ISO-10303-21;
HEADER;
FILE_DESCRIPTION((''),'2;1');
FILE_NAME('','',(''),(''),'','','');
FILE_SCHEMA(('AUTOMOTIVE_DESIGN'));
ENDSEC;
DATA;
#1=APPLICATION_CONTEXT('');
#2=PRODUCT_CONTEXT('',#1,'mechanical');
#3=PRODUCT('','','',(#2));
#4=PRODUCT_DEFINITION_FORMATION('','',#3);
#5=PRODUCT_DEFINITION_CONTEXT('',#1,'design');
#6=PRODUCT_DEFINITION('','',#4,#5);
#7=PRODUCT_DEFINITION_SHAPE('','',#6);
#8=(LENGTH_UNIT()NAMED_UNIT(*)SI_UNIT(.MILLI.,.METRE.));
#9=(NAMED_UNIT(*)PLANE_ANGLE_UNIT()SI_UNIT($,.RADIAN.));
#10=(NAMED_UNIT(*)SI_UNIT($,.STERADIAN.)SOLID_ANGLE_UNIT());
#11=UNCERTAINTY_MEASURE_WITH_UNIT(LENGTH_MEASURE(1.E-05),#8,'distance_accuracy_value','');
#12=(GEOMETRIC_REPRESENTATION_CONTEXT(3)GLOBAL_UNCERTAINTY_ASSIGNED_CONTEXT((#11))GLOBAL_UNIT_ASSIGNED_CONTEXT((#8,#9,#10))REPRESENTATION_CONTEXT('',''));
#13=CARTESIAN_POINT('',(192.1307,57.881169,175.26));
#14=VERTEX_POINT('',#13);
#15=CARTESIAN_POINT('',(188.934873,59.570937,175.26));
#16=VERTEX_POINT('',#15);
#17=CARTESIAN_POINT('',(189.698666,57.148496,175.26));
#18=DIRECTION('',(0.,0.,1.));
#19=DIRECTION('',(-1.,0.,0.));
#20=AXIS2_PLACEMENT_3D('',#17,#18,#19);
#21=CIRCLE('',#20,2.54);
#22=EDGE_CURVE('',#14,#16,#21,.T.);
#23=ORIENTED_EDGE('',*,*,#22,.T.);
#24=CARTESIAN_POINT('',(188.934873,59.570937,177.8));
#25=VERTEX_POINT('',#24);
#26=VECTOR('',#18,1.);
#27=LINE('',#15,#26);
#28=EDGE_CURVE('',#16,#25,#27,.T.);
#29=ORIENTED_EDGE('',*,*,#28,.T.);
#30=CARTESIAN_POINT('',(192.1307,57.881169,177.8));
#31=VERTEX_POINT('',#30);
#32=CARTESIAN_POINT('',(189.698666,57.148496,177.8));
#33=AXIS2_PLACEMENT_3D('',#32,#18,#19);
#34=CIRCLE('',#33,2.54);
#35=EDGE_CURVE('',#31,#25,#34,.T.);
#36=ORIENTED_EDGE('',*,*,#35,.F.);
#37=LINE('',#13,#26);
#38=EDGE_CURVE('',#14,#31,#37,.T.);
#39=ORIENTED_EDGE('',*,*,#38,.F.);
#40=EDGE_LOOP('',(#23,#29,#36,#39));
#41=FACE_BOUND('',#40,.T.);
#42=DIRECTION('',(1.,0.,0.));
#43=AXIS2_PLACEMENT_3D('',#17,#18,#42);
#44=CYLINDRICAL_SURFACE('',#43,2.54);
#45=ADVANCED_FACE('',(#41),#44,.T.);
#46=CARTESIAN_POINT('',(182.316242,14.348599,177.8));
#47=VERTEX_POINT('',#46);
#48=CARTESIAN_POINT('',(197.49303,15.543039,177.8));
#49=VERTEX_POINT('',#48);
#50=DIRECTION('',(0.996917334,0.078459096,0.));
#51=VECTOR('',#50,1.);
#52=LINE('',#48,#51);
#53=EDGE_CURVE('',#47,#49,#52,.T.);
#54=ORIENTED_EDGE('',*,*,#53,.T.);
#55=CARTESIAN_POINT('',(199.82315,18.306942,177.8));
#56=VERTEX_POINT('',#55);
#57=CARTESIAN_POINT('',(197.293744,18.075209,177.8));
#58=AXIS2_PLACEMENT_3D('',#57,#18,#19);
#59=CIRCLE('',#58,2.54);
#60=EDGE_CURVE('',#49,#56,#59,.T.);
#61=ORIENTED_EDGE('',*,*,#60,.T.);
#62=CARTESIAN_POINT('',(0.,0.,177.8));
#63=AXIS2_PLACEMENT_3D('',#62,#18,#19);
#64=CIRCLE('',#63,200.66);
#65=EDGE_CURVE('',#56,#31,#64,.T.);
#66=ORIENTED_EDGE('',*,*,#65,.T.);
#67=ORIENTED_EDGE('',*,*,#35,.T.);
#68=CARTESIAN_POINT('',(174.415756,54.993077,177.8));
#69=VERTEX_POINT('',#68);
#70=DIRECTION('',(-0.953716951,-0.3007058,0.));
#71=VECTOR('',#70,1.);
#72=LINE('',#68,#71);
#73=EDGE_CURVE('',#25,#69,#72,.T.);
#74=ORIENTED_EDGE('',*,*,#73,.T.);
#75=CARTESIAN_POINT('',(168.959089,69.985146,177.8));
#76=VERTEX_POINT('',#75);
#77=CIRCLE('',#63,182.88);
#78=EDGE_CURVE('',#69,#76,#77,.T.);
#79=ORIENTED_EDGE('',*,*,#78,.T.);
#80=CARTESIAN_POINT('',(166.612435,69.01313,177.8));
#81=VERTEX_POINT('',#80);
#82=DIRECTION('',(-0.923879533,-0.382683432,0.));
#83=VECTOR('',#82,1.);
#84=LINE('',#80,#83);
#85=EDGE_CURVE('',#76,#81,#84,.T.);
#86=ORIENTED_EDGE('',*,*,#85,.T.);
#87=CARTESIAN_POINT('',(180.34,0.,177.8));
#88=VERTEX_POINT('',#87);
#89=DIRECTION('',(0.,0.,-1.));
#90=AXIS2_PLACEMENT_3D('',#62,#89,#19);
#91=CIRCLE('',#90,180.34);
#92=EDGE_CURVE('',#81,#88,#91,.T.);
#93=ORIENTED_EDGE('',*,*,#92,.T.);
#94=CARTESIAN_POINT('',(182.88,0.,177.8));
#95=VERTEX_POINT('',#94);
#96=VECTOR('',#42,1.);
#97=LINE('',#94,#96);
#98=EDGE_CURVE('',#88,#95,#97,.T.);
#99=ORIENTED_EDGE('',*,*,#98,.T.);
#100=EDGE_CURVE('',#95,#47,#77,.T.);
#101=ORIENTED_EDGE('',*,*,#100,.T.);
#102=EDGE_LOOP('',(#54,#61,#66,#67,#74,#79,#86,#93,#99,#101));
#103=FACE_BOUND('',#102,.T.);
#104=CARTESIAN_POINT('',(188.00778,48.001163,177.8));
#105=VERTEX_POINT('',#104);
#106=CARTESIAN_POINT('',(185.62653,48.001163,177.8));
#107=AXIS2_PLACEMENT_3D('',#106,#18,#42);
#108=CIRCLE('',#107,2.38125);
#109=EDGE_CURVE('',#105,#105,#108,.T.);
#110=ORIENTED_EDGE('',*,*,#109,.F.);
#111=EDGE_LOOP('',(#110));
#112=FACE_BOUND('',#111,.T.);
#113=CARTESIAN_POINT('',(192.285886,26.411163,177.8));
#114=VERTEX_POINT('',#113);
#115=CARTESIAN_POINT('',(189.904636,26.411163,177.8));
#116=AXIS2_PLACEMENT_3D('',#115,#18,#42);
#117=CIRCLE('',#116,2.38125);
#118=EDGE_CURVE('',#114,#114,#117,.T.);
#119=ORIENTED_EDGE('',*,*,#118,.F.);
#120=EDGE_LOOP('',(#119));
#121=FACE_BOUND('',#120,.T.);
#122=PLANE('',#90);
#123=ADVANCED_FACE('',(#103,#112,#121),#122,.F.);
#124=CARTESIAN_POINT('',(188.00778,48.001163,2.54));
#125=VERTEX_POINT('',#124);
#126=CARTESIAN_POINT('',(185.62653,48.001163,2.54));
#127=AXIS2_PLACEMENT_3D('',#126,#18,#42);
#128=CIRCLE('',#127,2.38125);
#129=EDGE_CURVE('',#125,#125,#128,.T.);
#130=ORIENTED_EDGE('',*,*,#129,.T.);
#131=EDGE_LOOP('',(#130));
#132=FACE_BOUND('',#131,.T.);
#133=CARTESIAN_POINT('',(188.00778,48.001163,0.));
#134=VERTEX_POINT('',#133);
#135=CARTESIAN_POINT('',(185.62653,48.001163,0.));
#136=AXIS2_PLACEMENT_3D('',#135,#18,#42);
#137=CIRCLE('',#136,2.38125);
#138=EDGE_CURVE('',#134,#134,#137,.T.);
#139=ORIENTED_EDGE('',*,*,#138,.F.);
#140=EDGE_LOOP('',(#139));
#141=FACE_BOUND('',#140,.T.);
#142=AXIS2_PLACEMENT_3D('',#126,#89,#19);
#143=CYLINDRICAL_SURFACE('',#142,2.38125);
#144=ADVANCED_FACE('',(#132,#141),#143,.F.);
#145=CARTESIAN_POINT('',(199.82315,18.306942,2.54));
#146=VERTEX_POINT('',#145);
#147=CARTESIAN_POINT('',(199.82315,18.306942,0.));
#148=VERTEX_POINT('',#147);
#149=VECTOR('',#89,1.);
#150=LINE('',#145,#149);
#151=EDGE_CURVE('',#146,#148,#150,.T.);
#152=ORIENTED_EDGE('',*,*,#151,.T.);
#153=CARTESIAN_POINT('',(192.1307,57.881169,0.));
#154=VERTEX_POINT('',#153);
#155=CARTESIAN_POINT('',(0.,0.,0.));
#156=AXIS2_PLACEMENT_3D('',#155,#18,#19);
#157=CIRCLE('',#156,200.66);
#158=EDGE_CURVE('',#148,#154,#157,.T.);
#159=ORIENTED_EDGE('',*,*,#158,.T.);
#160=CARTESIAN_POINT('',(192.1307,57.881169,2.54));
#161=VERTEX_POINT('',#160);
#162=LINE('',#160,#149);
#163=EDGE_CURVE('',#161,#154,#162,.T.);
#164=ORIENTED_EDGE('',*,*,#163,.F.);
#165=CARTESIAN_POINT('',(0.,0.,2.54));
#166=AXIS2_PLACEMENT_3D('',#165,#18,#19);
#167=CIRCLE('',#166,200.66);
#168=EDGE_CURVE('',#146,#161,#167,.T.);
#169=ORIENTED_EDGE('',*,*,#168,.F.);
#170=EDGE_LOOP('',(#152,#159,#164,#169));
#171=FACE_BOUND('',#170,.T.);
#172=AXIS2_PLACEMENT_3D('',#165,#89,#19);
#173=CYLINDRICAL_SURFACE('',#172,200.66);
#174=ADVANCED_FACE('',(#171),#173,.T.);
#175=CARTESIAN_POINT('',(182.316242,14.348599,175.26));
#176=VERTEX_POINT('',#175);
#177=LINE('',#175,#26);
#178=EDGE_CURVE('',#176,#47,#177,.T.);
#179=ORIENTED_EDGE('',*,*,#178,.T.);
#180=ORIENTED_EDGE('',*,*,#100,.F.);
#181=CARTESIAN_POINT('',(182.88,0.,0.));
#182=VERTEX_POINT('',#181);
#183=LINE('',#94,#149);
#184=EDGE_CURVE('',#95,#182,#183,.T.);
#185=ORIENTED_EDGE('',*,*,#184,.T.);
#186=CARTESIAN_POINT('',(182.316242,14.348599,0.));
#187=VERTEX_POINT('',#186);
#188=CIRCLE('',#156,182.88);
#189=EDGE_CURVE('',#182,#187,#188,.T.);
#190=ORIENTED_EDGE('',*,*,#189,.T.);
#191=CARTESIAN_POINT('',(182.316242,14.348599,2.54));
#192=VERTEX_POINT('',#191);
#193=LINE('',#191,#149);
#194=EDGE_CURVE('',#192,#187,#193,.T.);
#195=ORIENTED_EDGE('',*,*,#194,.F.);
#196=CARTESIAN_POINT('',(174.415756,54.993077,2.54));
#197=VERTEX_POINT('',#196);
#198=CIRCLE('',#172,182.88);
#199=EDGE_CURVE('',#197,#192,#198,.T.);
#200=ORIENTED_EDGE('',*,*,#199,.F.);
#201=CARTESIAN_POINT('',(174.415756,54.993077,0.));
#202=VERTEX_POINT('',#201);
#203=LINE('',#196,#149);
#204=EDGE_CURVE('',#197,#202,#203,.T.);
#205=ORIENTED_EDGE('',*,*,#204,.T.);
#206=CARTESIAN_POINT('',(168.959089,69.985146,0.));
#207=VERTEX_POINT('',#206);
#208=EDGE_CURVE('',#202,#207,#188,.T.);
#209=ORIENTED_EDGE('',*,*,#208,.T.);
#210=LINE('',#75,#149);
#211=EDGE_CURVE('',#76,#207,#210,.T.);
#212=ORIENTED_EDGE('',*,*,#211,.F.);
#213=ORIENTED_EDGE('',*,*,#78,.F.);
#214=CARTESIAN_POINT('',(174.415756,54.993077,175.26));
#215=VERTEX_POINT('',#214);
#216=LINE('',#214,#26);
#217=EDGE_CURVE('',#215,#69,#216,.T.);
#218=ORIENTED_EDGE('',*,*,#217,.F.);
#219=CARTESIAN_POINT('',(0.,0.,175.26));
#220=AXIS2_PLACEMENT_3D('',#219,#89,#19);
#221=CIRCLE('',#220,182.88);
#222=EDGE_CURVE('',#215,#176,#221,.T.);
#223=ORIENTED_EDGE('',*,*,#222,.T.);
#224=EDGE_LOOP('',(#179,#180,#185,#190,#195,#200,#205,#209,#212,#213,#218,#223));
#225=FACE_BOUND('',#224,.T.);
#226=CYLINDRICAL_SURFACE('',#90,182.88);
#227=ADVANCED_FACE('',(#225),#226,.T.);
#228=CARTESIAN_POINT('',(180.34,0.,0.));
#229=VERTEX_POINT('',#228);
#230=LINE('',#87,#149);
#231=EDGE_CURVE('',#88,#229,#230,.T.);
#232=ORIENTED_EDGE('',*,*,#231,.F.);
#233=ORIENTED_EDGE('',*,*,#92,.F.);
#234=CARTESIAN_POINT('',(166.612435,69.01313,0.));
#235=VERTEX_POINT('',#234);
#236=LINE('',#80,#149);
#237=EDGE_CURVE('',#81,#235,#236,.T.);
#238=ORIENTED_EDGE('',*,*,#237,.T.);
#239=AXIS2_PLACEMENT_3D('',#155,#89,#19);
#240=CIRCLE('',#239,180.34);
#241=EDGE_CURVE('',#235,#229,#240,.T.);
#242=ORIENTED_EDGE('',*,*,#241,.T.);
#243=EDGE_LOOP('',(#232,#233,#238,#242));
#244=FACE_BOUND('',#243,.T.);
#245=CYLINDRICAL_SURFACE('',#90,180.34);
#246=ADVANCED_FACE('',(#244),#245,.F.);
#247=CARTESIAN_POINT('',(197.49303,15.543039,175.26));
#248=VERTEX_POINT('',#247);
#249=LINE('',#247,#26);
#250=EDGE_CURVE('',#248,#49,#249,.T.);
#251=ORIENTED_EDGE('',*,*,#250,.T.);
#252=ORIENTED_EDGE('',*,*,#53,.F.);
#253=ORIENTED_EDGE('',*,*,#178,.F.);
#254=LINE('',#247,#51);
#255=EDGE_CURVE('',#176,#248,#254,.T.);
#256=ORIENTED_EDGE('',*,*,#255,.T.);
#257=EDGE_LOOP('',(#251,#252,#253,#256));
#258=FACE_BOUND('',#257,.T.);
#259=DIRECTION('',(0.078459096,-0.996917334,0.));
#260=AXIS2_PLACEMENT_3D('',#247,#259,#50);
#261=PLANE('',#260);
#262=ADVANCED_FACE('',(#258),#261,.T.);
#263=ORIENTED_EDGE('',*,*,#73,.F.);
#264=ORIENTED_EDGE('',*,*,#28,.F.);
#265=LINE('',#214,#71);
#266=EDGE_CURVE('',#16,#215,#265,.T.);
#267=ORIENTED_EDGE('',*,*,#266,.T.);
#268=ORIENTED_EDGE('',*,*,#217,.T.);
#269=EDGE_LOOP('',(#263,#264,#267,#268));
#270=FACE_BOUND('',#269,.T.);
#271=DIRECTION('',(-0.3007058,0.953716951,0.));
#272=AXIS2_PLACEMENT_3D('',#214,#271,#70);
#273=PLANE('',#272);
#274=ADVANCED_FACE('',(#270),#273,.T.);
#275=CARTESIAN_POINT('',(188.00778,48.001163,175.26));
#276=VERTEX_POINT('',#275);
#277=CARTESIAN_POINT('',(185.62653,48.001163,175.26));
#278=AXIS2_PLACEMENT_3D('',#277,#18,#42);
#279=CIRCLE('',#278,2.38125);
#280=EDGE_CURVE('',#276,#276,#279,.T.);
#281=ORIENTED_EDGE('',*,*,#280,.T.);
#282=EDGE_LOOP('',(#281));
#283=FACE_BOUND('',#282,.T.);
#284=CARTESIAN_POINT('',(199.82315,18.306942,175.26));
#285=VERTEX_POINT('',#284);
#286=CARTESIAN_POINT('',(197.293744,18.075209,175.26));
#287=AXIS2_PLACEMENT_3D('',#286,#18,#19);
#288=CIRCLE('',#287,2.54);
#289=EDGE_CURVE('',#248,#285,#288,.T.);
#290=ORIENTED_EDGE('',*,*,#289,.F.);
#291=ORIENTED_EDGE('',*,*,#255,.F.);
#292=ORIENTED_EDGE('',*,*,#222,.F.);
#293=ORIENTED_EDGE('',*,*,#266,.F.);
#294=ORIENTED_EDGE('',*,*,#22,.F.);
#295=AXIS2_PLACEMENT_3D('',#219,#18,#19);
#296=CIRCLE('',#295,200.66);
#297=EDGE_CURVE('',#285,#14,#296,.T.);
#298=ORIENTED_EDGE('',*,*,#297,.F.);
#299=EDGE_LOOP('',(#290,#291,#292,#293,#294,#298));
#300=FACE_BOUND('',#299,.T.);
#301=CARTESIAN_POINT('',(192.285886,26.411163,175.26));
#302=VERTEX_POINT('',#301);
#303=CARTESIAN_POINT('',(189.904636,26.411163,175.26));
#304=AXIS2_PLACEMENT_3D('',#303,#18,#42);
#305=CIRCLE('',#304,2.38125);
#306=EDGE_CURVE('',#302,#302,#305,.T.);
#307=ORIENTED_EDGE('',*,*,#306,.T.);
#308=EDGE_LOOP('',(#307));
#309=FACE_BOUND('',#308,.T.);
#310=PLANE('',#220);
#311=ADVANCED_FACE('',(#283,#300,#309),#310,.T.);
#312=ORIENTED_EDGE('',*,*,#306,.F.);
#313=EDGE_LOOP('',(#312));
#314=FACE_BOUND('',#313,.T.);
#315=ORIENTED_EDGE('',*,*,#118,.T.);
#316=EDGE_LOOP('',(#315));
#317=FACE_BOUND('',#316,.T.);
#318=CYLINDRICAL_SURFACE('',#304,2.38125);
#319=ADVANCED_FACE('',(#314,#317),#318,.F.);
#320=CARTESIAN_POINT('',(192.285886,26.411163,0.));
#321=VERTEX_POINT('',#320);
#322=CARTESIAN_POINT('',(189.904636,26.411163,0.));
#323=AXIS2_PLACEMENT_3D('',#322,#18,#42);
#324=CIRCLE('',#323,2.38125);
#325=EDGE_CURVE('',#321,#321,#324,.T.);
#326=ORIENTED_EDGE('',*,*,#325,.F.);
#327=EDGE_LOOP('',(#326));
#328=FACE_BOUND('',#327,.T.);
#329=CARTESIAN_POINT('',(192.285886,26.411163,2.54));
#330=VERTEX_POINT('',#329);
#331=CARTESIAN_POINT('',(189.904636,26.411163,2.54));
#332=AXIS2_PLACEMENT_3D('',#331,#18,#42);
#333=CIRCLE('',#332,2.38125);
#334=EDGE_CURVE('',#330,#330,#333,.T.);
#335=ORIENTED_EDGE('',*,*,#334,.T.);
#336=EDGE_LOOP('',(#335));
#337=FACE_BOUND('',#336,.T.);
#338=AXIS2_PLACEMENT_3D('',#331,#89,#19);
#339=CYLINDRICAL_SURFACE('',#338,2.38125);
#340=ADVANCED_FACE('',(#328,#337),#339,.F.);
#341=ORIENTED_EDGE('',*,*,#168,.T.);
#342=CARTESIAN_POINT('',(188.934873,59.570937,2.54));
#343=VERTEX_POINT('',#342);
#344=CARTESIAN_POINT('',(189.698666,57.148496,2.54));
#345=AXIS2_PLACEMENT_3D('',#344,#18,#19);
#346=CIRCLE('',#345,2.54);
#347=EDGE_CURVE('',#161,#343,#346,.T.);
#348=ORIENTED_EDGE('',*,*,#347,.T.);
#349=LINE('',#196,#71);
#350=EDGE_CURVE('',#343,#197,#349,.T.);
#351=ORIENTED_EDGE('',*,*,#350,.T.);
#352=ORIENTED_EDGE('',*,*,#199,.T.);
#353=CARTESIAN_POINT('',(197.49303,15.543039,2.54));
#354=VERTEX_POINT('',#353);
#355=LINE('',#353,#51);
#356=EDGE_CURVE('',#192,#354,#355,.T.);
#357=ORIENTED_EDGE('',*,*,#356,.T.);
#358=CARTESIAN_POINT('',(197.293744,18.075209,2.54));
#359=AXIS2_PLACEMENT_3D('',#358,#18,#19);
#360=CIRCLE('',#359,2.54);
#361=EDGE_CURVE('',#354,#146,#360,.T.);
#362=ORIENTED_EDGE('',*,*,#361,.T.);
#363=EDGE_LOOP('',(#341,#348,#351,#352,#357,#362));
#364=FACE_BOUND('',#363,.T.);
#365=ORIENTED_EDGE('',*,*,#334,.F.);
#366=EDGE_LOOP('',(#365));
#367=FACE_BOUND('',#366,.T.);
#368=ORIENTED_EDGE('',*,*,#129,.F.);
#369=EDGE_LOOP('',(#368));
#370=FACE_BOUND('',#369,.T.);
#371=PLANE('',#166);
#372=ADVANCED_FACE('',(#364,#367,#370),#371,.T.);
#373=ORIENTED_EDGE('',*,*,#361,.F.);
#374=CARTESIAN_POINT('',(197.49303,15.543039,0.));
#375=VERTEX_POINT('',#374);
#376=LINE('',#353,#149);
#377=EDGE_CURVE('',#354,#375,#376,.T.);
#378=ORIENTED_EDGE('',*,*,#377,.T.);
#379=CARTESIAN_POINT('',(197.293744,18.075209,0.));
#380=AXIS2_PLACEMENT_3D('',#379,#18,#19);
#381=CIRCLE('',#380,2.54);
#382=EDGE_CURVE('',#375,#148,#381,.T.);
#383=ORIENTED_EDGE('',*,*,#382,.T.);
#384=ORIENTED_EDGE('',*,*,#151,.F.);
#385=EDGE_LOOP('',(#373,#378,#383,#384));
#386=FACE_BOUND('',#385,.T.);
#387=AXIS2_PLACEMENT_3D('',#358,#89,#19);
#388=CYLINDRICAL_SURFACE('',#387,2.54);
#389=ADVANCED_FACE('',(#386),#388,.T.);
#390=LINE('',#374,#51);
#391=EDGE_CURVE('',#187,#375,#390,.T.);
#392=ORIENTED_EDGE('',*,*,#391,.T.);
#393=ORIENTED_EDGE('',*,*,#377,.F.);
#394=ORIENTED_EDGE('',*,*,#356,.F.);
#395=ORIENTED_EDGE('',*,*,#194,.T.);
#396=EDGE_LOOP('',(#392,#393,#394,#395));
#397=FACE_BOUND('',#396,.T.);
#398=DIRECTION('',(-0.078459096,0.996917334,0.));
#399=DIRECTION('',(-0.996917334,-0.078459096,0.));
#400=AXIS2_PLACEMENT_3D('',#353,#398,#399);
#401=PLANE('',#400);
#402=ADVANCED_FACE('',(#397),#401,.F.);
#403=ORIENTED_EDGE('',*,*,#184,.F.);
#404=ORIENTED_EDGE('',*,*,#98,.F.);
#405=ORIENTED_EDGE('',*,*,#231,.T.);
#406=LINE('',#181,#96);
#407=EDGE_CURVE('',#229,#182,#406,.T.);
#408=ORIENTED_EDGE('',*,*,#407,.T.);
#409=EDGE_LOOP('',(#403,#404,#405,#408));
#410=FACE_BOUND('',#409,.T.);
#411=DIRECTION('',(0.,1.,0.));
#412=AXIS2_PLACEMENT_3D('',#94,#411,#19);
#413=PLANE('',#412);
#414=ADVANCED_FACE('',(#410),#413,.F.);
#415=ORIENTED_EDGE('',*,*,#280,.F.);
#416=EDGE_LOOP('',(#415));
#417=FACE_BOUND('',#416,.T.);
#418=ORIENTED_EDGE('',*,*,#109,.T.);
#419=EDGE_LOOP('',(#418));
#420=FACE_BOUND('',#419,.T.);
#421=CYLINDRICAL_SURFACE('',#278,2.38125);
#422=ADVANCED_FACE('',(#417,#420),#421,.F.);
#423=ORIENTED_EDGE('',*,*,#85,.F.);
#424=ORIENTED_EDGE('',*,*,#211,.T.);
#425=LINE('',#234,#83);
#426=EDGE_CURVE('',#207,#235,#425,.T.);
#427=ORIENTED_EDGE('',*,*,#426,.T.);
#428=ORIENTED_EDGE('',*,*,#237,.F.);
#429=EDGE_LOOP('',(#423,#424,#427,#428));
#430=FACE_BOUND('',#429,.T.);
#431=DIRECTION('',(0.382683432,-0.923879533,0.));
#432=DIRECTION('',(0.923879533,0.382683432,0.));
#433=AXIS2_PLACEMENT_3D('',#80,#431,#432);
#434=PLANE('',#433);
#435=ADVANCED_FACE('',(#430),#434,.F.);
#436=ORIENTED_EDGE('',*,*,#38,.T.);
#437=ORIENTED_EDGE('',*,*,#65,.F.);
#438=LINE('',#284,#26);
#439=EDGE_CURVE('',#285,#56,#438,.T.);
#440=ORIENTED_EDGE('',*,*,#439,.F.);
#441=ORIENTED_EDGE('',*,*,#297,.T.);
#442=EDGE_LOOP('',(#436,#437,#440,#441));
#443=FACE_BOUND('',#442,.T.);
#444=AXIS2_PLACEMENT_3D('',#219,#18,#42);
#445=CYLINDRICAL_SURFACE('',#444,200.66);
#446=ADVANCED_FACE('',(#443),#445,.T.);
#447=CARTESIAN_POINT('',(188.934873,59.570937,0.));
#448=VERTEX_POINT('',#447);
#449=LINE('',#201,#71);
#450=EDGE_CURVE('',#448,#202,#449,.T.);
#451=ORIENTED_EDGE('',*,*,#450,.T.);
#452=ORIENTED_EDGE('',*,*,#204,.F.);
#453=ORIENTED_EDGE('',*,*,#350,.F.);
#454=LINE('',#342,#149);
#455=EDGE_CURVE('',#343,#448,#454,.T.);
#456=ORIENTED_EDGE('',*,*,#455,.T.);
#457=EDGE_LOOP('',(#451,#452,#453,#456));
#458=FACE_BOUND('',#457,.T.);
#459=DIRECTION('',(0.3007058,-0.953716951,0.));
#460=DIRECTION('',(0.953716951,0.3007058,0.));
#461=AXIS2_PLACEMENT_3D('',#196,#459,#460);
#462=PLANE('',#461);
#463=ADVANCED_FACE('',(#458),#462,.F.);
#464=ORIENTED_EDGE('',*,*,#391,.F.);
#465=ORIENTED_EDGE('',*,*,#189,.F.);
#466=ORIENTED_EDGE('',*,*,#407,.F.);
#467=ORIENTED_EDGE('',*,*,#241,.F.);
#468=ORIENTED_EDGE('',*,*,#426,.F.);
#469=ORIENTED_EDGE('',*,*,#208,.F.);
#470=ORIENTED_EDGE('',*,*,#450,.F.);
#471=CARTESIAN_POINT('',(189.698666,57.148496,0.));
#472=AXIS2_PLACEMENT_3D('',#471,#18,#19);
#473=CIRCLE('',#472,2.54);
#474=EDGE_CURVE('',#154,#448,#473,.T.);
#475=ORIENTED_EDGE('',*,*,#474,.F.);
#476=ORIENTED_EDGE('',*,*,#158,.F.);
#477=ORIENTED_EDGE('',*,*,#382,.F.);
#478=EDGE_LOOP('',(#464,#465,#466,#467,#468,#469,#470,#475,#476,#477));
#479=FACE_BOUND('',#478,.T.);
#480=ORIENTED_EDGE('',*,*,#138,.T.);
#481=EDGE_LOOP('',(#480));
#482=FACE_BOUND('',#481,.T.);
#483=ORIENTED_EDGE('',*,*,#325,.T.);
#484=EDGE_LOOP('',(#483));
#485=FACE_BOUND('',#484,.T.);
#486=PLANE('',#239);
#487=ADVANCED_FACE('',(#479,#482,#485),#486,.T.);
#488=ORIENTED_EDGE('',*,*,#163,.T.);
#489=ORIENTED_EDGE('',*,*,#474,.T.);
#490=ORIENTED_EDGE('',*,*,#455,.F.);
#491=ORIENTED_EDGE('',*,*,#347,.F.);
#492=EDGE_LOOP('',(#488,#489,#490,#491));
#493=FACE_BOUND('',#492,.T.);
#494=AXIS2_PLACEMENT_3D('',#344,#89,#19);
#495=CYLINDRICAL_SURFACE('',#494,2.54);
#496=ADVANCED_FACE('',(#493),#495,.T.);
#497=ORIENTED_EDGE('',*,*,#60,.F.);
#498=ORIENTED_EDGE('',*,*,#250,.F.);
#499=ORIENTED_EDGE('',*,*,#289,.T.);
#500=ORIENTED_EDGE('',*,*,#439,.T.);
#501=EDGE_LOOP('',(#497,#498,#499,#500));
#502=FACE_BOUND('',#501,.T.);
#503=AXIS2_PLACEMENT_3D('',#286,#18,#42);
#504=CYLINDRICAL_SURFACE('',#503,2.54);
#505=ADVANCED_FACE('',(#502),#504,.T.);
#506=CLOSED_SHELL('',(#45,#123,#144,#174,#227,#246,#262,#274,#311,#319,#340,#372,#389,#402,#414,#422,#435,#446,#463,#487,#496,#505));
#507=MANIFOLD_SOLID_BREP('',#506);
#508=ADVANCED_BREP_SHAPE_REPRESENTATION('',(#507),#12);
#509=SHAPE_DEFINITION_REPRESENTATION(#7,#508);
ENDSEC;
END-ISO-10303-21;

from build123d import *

# Parameters (mm, degrees)
BOSS_EXTRUDE1_DEPTH = 177.8
SKETCH2_R           = 2.38125
BOSS_EXTRUDE2_DEPTH = 2.54


with BuildPart() as part:
    # Sketch1 → Boss-Extrude1 (new body)
    with BuildSketch(Plane.XY):
        with BuildLine():
            Line((166.612434893, 69.013130193), (168.959088906, 69.985146111))
            ThreePointArc((168.959088906, 69.985146111), (179.36601208, 35.67811809), (182.88, 0))
            Line((182.88, 0), (180.34, 0))
            ThreePointArc((180.34, 0), (176.874817468, 35.182588672), (166.612434893, 69.013130193))
        make_face()
    extrude(amount=BOSS_EXTRUDE1_DEPTH)

    # Sketch2 → Boss-Extrude2 (add)
    with BuildSketch(Plane.XY.offset(177.8)):
        with BuildLine():
            Line((174.415755953, 54.993076613), (188.934873176, 59.570936689))
            ThreePointArc((188.934873176, 59.570936689), (190.885925939, 59.39393849), (192.130700085, 57.881168655))
            ThreePointArc((192.130700085, 57.881168655), (196.973310631, 38.287733012), (199.823150498, 18.306941989))
            ThreePointArc((199.823150498, 18.306941989), (199.235709562, 16.43802562), (197.493029633, 15.543038518))
            Line((197.493029633, 15.543038518), (182.316241993, 14.348599427))
            ThreePointArc((182.316241993, 14.348599427), (179.519979309, 34.895149074), (174.415755953, 54.993076613))
        make_face()
        with Locations((185.626529875, 48.001162801)):
            Circle(SKETCH2_R, mode=Mode.SUBTRACT)
        with Locations((189.904635813, 26.411162801)):
            Circle(SKETCH2_R, mode=Mode.SUBTRACT)
    boss_extrude2 = extrude(amount=-BOSS_EXTRUDE2_DEPTH)

    # Mirror1: Boss-Extrude2 across plane
    add(boss_extrude2.mirror(Plane.XY.offset(88.9)))


solid = part.part
